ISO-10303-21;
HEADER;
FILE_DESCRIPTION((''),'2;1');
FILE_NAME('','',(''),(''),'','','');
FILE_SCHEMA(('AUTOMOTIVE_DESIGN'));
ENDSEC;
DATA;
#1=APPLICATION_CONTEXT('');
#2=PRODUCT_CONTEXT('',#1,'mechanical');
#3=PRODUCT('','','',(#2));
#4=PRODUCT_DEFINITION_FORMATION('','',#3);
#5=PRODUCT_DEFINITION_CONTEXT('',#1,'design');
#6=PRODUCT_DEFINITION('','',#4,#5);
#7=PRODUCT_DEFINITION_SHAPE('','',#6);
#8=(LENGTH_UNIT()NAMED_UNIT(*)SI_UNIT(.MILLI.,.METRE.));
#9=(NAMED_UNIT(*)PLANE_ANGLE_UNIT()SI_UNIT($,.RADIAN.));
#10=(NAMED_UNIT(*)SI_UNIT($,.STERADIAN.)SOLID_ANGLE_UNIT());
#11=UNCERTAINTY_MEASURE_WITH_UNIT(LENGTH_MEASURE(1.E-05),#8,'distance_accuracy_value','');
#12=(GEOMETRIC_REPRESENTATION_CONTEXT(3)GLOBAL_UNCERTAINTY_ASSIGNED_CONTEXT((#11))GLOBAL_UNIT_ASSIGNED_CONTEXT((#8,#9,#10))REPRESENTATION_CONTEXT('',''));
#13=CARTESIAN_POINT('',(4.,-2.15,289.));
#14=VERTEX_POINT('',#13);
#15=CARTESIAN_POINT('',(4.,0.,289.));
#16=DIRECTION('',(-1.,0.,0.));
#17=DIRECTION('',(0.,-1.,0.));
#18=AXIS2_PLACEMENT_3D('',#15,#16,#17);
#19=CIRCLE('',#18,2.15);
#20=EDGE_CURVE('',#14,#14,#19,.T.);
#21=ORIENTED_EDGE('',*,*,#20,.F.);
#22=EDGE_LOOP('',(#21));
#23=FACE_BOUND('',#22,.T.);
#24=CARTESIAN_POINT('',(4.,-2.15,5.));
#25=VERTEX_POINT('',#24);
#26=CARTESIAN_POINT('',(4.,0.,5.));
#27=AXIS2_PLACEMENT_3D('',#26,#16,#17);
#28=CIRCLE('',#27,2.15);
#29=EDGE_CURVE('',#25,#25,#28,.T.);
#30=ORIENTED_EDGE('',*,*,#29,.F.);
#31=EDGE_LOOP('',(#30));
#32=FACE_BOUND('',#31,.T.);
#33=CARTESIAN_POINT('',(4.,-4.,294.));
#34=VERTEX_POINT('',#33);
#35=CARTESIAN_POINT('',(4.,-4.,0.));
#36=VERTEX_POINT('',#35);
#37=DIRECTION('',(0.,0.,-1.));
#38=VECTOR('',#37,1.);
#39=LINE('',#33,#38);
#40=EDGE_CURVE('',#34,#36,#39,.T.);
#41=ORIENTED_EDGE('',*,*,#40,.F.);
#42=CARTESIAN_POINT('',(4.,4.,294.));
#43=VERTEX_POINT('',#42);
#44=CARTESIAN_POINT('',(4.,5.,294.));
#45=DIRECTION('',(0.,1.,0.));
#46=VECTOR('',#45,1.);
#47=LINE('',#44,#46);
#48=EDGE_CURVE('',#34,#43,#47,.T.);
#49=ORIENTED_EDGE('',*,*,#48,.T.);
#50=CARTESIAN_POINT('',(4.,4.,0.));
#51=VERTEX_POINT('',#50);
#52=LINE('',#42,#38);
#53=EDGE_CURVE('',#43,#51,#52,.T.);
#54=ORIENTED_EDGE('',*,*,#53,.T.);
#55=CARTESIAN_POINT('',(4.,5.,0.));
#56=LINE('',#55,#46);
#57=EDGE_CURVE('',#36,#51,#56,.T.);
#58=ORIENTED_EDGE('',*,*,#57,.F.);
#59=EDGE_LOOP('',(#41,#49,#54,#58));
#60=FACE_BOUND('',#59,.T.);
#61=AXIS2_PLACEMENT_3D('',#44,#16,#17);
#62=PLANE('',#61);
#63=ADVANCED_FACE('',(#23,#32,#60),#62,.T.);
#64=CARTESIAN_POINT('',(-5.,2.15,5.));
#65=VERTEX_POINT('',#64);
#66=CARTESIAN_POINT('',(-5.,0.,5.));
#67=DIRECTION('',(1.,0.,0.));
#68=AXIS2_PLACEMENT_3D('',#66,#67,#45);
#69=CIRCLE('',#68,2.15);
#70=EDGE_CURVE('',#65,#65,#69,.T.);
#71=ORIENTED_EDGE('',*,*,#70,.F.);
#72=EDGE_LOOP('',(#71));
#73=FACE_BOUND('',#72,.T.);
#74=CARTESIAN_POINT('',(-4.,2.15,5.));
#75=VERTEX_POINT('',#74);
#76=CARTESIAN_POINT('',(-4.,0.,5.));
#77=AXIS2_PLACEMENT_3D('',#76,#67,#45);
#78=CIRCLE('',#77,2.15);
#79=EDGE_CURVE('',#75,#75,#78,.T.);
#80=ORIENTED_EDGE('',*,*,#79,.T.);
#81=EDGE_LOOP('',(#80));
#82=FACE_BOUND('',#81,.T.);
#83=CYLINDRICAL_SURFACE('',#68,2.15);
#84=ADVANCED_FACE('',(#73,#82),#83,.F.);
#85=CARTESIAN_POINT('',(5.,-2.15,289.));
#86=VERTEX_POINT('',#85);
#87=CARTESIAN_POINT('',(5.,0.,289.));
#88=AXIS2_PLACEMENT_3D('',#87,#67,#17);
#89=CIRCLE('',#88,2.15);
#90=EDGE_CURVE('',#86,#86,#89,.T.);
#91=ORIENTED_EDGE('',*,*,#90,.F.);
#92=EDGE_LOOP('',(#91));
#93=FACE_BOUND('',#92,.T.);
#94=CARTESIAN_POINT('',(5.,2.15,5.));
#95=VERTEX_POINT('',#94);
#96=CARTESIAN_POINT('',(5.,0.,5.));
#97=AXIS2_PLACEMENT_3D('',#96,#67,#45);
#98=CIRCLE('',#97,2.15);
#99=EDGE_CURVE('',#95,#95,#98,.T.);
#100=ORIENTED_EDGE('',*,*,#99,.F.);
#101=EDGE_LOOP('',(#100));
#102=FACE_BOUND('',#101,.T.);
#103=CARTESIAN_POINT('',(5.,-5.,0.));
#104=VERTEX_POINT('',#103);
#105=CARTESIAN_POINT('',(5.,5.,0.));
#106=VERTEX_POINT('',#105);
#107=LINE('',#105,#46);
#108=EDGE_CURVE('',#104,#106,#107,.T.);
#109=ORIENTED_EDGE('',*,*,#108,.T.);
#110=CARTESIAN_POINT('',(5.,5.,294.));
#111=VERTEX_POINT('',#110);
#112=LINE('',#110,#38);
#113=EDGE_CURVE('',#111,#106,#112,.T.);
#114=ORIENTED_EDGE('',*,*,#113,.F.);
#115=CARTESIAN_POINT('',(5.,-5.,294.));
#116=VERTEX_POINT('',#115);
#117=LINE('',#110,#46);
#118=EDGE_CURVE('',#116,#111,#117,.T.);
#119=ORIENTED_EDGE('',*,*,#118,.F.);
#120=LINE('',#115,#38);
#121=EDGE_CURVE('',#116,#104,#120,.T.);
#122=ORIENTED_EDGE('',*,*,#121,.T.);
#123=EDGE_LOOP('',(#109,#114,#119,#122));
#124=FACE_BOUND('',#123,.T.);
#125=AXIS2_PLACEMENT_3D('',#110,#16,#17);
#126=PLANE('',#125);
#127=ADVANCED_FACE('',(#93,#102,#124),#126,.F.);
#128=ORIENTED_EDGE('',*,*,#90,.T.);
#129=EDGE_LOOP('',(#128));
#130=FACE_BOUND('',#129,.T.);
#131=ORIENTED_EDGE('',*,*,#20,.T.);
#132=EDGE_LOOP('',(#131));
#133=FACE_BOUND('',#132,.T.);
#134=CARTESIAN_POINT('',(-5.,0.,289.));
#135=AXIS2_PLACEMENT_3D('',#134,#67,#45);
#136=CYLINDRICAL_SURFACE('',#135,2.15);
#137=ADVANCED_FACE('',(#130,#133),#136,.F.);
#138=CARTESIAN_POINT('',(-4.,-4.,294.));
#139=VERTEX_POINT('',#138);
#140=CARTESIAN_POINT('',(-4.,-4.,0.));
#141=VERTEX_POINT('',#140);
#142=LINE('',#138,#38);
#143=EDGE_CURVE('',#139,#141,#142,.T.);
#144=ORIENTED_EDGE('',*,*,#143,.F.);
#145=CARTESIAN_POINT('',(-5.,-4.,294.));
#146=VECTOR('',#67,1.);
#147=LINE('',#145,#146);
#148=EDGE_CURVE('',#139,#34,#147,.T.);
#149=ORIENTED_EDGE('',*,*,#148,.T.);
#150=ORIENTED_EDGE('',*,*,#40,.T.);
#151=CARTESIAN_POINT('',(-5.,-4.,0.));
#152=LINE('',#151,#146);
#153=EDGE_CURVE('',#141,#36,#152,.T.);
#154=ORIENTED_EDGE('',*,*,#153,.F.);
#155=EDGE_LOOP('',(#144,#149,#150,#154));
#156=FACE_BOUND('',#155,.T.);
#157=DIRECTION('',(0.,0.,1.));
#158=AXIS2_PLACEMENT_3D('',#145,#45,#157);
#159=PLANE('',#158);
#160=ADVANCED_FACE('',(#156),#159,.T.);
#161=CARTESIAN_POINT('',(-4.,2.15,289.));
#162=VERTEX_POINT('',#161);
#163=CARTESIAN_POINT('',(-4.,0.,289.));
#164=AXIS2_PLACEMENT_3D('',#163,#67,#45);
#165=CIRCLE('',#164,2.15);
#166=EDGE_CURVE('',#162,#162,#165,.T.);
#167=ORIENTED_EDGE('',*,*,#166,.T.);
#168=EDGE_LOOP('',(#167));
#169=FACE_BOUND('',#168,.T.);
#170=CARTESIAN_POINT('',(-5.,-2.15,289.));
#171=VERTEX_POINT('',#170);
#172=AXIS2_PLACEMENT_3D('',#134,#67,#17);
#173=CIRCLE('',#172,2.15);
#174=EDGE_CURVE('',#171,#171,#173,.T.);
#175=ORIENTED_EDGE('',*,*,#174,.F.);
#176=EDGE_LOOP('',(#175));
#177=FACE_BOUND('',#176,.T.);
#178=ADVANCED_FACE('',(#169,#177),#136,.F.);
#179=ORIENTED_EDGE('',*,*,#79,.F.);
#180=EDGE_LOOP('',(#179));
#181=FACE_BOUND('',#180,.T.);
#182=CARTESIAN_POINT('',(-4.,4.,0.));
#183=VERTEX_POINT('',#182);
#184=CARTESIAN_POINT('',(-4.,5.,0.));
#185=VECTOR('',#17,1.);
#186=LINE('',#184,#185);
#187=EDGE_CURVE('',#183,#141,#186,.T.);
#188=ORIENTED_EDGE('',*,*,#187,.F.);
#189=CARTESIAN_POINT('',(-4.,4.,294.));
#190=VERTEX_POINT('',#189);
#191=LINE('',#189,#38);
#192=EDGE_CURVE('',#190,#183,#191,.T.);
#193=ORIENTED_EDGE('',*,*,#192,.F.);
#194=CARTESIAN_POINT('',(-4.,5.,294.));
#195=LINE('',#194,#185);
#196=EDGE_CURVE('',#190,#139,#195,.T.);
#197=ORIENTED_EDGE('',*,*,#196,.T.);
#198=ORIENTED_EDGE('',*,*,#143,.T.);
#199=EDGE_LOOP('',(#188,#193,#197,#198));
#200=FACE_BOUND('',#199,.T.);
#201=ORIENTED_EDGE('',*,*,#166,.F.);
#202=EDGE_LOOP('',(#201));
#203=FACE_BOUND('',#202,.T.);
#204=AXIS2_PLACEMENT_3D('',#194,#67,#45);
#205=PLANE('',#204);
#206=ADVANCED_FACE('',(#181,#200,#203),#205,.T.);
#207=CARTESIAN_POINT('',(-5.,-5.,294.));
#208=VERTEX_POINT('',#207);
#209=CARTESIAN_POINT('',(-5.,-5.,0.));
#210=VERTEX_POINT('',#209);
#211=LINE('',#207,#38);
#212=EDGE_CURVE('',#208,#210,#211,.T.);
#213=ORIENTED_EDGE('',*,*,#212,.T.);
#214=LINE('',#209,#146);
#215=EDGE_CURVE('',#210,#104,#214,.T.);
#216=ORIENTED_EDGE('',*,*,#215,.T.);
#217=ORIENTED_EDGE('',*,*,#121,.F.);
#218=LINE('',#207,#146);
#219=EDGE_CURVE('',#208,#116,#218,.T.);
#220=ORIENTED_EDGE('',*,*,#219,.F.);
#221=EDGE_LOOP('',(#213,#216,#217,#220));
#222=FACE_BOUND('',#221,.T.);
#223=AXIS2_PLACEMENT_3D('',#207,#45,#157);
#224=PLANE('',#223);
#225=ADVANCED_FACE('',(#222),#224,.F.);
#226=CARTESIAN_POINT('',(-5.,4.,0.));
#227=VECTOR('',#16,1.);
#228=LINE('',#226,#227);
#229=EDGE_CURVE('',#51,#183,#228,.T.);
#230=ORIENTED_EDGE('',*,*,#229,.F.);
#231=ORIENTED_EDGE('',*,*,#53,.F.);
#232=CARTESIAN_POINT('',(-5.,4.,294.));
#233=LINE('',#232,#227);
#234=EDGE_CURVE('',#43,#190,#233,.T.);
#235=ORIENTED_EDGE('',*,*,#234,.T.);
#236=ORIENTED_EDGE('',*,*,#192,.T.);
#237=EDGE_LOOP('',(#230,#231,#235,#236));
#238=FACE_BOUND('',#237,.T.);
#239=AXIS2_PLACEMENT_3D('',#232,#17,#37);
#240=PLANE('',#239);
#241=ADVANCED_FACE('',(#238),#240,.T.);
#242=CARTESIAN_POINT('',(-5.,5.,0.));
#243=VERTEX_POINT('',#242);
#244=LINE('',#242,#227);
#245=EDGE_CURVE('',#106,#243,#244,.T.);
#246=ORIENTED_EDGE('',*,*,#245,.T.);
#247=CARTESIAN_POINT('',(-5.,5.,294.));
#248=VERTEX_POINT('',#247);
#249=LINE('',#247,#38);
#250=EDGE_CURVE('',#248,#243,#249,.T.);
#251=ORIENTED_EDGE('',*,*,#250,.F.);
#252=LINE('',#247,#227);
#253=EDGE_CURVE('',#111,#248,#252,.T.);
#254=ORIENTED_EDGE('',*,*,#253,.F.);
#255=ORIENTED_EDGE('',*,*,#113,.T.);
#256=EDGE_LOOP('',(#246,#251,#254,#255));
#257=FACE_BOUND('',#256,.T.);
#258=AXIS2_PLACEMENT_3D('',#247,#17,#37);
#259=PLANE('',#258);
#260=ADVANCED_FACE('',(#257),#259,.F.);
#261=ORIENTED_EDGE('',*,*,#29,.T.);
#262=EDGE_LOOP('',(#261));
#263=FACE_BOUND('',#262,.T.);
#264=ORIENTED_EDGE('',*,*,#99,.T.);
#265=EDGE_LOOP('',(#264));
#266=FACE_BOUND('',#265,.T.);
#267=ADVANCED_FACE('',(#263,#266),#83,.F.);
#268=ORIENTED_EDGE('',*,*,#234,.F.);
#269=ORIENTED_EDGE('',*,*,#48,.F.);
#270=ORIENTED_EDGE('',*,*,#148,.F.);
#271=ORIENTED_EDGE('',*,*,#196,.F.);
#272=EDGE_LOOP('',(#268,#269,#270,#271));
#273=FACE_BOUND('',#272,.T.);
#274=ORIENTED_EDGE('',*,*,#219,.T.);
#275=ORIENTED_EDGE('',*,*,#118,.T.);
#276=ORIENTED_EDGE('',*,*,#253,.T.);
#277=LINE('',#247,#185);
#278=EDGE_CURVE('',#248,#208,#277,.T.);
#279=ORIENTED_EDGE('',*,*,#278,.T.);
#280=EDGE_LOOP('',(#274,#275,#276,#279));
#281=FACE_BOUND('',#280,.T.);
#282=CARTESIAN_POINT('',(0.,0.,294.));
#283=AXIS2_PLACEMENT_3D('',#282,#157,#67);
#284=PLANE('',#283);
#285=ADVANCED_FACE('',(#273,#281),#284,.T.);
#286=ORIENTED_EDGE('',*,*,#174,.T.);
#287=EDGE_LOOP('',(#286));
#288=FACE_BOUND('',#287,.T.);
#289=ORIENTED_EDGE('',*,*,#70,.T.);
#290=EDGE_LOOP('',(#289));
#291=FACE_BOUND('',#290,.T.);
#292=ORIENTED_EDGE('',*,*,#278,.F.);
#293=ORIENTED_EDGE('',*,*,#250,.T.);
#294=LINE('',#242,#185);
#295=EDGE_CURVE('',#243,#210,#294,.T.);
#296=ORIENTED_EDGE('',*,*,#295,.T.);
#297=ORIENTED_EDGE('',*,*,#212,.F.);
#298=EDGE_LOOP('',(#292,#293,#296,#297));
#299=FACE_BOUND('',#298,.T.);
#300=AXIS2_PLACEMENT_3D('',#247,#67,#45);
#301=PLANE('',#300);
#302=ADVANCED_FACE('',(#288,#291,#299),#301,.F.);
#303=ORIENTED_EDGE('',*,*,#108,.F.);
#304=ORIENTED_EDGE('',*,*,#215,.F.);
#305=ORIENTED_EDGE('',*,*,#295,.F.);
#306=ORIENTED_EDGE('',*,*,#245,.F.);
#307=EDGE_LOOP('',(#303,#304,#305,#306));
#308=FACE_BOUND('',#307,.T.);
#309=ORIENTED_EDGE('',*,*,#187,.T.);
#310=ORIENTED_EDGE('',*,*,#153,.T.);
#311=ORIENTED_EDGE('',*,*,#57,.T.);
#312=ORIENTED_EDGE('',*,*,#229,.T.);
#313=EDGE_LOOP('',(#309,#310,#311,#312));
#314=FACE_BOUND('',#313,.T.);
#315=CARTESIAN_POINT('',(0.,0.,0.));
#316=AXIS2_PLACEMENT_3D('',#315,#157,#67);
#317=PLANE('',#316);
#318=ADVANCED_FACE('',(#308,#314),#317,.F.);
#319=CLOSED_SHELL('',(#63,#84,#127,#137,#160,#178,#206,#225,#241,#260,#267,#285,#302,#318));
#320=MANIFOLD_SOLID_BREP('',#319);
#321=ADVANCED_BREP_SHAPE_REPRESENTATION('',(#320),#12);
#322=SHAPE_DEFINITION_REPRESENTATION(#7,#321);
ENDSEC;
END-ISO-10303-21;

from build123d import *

# Parameters (mm, degrees)
SKETCH_1_W          = 10
SKETCH_1_H          = 10
SKETCH_1_W_2        = 8
SKETCH_1_H_2        = 8
EXTRUDE_1_DEPTH     = 294
SKETCH_2_R          = 2.15
CUT_EXTRUDE_1_DEPTH = 295.212508232


with BuildPart() as part:
    # ｽｹｯﾁ1 → 押し出し-薄板1 (new body)
    with BuildSketch(Plane.XY):
        Rectangle(SKETCH_1_W, SKETCH_1_H)
        Rectangle(SKETCH_1_W_2, SKETCH_1_H_2, mode=Mode.SUBTRACT)
    extrude(amount=EXTRUDE_1_DEPTH)

    # ｽｹｯﾁ2 → ｶｯﾄ - 押し出し1 (cut, through all)
    with BuildSketch(Plane(origin=(5, 0, 0), x_dir=(0, 0, -1), z_dir=(1, 0, 0))):
        with Locations(Location((-5, 0, 0), (0, 0, 90))):
            Circle(SKETCH_2_R)
        with Locations(Location((-289, 0, 0), (0, 0, 90))):
            Circle(SKETCH_2_R)
    extrude(amount=-CUT_EXTRUDE_1_DEPTH, mode=Mode.SUBTRACT)


solid = part.part
